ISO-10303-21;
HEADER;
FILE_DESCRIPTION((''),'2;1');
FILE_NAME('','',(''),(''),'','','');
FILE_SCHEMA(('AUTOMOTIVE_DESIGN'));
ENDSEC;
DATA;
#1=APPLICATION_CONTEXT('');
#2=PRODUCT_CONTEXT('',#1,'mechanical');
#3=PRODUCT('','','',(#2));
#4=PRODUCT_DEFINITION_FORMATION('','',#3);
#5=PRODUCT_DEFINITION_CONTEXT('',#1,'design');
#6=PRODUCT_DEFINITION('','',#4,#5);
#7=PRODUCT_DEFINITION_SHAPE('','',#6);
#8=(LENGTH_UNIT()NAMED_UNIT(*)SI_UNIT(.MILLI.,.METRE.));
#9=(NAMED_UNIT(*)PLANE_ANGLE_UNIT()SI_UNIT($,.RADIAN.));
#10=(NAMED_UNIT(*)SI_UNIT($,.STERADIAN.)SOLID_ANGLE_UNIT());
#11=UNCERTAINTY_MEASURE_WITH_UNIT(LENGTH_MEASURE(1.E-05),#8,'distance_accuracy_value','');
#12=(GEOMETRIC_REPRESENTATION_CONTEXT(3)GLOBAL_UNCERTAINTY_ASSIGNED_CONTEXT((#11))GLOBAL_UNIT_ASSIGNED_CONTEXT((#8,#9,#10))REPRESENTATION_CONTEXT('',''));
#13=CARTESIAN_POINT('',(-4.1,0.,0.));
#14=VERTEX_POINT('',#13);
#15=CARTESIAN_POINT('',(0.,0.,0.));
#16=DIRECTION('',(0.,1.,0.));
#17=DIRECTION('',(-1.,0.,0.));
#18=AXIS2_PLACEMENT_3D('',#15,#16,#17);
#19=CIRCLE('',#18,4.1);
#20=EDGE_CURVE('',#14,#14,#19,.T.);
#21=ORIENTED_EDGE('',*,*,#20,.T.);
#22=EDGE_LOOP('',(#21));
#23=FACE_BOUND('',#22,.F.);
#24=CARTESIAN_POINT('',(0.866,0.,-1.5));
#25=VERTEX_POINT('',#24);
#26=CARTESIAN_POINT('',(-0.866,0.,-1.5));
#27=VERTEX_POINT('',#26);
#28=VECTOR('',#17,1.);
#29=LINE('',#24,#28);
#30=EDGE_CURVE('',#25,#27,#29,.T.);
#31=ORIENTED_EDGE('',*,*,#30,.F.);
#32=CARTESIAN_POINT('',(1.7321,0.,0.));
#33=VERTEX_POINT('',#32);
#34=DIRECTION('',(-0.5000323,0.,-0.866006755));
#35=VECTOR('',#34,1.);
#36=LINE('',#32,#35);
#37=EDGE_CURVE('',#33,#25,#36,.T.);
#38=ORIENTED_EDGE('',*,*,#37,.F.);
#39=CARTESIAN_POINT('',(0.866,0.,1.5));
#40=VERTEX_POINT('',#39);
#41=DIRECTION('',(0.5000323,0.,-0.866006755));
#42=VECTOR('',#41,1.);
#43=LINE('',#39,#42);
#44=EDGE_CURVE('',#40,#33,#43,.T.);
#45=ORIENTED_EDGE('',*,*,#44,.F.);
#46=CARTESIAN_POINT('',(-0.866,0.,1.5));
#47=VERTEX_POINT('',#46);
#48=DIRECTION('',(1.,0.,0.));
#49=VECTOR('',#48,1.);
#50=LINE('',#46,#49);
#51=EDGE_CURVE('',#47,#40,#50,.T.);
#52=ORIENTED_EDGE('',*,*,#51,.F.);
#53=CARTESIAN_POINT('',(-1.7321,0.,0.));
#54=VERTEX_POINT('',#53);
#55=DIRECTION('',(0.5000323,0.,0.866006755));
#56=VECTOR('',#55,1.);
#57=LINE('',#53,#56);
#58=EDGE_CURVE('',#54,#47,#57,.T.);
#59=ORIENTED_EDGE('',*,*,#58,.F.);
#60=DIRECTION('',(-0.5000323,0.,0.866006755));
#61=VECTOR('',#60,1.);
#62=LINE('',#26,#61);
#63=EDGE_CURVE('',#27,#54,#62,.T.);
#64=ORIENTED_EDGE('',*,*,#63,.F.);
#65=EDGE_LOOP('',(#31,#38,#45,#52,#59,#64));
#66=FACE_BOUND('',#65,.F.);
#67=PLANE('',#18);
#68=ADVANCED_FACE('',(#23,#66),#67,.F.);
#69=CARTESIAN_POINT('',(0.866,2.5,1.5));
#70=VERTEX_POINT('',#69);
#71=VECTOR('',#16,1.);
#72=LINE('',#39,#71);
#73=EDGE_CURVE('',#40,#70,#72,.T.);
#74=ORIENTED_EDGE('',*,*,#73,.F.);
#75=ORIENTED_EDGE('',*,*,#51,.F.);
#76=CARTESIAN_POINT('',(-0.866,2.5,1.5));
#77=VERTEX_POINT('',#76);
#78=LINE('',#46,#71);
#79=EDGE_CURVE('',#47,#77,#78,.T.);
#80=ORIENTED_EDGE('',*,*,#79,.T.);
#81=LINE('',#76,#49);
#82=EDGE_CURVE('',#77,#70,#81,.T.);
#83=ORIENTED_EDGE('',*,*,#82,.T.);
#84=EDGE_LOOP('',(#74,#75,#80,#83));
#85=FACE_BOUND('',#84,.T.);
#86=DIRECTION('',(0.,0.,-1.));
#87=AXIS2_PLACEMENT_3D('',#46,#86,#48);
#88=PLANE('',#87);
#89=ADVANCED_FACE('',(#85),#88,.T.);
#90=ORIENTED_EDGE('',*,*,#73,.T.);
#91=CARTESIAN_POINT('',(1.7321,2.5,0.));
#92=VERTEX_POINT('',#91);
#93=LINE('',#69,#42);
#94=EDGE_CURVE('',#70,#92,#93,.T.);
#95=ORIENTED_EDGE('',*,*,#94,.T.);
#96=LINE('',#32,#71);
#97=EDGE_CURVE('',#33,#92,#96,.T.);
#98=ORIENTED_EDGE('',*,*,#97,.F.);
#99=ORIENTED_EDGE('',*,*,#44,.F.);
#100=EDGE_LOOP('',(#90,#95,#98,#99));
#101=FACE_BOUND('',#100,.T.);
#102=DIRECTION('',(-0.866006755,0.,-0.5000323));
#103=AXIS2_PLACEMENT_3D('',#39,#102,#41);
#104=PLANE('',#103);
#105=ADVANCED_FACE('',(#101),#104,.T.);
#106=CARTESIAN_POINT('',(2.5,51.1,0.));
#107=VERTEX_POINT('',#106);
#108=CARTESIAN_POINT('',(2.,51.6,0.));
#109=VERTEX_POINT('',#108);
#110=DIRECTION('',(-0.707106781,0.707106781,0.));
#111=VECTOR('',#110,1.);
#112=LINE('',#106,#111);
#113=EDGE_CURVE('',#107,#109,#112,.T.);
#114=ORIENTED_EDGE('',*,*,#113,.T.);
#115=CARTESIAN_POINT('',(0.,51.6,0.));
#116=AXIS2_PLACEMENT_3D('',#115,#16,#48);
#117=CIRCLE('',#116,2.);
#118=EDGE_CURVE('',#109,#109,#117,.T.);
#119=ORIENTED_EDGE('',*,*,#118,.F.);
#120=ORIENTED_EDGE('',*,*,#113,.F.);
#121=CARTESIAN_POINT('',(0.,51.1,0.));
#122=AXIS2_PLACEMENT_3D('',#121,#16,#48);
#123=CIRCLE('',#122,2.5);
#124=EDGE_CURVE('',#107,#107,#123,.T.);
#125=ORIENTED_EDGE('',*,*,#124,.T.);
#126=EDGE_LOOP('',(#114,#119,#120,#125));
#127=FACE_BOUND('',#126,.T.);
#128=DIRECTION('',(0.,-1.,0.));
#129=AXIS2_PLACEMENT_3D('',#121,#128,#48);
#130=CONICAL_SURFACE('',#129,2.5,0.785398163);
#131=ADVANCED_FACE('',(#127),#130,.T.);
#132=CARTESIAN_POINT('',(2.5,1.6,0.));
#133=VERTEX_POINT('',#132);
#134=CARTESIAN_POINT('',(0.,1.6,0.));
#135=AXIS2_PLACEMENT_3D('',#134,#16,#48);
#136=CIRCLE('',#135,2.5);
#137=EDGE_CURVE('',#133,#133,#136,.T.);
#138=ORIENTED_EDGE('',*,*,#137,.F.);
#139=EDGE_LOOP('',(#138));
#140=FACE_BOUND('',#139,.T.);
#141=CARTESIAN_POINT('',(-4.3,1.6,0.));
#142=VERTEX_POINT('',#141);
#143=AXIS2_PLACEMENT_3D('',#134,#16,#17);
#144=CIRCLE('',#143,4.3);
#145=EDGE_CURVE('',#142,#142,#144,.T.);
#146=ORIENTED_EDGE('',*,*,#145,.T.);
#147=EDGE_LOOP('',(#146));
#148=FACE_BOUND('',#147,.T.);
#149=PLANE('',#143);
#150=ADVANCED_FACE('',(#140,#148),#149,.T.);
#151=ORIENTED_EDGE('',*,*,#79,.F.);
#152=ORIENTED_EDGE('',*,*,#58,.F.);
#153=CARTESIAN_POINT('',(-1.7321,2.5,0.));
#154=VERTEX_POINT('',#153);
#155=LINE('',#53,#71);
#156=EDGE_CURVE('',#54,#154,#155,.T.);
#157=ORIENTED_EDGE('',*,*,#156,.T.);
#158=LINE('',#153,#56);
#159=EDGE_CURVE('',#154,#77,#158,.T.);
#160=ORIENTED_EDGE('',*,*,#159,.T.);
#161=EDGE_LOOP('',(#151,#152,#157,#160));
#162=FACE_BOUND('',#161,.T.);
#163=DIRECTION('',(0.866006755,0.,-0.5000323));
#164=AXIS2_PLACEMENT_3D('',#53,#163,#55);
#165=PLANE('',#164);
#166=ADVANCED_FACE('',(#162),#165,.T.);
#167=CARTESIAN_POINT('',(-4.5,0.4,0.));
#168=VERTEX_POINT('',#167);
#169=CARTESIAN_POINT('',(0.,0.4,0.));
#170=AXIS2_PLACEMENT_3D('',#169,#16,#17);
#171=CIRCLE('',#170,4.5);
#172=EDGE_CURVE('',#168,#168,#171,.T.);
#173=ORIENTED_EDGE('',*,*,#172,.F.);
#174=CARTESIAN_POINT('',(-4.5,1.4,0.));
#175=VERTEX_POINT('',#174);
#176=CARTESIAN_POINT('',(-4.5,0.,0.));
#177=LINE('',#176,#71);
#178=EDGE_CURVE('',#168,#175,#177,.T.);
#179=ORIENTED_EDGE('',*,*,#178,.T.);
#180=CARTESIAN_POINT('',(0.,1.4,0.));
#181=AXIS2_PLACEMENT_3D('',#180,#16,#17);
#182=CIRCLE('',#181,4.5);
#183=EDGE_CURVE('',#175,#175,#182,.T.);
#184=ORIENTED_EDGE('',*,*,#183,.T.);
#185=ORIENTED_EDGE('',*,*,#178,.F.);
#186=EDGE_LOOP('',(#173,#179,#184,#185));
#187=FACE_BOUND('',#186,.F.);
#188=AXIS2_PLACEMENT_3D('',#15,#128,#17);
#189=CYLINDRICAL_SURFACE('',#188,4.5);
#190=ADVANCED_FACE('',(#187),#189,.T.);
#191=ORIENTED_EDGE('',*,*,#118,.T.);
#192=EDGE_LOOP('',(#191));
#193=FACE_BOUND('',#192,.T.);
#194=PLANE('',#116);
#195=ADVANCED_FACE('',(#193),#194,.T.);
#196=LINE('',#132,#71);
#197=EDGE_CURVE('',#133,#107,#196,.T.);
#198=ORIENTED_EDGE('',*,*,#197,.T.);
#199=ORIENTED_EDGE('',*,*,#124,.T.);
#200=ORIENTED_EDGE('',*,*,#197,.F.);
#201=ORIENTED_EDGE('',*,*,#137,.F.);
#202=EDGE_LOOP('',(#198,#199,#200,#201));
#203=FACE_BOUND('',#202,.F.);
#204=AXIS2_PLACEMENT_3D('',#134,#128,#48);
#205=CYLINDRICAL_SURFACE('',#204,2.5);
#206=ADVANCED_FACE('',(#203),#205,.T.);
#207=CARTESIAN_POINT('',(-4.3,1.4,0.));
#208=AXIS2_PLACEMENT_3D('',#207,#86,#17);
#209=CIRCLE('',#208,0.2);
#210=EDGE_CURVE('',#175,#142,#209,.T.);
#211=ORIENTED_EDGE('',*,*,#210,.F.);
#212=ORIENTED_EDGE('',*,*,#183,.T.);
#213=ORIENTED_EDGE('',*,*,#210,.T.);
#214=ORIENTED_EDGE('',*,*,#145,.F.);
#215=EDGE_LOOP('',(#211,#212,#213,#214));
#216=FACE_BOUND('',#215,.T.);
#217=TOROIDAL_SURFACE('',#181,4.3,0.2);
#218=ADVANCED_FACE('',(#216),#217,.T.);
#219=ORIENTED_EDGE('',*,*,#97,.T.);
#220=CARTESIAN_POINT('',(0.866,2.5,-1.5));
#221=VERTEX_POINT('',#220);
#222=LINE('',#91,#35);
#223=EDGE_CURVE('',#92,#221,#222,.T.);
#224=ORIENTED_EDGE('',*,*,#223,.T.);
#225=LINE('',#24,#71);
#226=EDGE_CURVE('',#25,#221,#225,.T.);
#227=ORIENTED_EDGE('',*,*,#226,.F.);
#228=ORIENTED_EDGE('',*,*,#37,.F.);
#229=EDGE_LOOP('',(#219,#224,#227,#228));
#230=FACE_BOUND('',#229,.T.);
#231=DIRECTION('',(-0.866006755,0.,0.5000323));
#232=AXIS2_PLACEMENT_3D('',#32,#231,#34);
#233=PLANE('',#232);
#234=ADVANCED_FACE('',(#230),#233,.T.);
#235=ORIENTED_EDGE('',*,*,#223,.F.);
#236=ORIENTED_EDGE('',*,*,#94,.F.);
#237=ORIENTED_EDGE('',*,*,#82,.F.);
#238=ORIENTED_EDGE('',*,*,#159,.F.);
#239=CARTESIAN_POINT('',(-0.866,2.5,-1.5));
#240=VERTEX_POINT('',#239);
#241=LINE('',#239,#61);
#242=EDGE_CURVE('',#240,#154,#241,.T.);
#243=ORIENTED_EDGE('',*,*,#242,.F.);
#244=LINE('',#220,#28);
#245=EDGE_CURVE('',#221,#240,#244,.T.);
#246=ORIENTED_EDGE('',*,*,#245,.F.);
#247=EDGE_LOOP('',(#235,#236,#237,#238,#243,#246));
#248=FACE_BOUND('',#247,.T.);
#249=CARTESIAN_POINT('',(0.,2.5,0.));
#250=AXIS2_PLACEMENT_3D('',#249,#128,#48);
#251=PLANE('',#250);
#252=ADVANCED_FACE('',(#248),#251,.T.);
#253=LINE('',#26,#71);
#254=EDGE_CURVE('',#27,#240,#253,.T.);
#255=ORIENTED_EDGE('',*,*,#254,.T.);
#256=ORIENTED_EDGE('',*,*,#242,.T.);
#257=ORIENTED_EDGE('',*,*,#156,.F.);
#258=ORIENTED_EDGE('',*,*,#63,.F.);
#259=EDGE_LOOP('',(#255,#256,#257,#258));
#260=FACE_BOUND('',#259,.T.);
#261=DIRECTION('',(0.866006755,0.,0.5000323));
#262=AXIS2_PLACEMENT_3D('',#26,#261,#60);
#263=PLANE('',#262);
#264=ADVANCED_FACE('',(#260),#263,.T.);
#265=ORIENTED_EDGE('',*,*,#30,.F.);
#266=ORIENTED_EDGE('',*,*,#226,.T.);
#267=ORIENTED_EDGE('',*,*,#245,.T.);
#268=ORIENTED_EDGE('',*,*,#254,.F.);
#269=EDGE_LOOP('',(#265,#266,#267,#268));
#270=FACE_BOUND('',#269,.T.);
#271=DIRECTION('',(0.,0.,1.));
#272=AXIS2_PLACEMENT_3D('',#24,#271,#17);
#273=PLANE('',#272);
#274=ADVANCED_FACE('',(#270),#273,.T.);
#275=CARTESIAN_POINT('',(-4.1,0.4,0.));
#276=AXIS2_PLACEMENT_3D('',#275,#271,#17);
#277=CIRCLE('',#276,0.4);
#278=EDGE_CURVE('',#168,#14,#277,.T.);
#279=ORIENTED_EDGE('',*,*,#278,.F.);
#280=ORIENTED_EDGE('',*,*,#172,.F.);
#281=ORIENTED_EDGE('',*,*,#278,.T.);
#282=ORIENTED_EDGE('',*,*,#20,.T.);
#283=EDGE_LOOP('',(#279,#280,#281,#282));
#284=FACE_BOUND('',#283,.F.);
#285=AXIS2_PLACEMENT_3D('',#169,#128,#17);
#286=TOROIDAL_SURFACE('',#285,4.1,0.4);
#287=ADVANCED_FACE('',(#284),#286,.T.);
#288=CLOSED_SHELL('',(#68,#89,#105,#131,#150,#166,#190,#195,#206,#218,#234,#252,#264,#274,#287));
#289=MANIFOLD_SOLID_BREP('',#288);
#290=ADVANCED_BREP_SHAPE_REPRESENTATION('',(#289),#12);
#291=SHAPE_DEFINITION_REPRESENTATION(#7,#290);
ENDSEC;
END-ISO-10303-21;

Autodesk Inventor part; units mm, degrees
ref_plane "YZ Plane" through (0, 0, 0) normal (1, 0, 0) x (0, 1, 0)
ref_plane "XZ Plane" through (0, 0, 0) normal (0, 1, 0) x (-1, 0, 0)
ref_plane "XY Plane" through (0, 0, 0) normal (0, 0, 1) x (1, 0, 0)
sketch "Boceto1" plane through (0, 0, 0) normal (0, 1, 0) x (-1, 0, 0)
  circle A0 centre (0, 0) radius 4.5
  dimension "d0" = 9
extrude "Extrusión1" add sketch "Boceto1" along normal blind 1.6
sketch "Boceto2" plane through (0, 1.6, 0) normal (0, 1, 0) x (1, 0, 0)
  circle A0 centre (0, 0) radius 2.5
  dimension "d3" = 5
extrude "Extrusión2" add sketch "Boceto2" along normal blind 50
fillet "Empalme1" radius 0.4 1 edges at (4.5, 0, 0)
fillet "Empalme2" radius 0.2 1 edges at (4.5, 1.6, 0)
sketch "Boceto3" plane through (0, 0, 0) normal (0, -1, 0) x (1, 0, 0)
  line L0 (-1.7321, 0) -> (-0.866, 1.5)
  line L1 (-0.866, 1.5) -> (0.866, 1.5)
  line L2 (0.866, 1.5) -> (1.7321, 0)
  line L3 (1.7321, 0) -> (0.866, -1.5)
  line L4 (0.866, -1.5) -> (-0.866, -1.5)
  line L5 (-0.866, -1.5) -> (-1.7321, 0)
  point P0 (0, 0)
  point P1 (0, 0)
  dimension "d8" = 3
extrude "Extrusión3" cut sketch "Boceto3" against normal blind 2.5
chamfer "Chaflán1" distance 0.5 angle 45 1 edges at (-2.5, 51.6, 0)
thread "Rosca2" size "M5x0.8" class "6g" standard "ANSI Metric M Profile" length 20
properties part number "Perno M5x8 cabeza plana" material "Hierro, gris"
